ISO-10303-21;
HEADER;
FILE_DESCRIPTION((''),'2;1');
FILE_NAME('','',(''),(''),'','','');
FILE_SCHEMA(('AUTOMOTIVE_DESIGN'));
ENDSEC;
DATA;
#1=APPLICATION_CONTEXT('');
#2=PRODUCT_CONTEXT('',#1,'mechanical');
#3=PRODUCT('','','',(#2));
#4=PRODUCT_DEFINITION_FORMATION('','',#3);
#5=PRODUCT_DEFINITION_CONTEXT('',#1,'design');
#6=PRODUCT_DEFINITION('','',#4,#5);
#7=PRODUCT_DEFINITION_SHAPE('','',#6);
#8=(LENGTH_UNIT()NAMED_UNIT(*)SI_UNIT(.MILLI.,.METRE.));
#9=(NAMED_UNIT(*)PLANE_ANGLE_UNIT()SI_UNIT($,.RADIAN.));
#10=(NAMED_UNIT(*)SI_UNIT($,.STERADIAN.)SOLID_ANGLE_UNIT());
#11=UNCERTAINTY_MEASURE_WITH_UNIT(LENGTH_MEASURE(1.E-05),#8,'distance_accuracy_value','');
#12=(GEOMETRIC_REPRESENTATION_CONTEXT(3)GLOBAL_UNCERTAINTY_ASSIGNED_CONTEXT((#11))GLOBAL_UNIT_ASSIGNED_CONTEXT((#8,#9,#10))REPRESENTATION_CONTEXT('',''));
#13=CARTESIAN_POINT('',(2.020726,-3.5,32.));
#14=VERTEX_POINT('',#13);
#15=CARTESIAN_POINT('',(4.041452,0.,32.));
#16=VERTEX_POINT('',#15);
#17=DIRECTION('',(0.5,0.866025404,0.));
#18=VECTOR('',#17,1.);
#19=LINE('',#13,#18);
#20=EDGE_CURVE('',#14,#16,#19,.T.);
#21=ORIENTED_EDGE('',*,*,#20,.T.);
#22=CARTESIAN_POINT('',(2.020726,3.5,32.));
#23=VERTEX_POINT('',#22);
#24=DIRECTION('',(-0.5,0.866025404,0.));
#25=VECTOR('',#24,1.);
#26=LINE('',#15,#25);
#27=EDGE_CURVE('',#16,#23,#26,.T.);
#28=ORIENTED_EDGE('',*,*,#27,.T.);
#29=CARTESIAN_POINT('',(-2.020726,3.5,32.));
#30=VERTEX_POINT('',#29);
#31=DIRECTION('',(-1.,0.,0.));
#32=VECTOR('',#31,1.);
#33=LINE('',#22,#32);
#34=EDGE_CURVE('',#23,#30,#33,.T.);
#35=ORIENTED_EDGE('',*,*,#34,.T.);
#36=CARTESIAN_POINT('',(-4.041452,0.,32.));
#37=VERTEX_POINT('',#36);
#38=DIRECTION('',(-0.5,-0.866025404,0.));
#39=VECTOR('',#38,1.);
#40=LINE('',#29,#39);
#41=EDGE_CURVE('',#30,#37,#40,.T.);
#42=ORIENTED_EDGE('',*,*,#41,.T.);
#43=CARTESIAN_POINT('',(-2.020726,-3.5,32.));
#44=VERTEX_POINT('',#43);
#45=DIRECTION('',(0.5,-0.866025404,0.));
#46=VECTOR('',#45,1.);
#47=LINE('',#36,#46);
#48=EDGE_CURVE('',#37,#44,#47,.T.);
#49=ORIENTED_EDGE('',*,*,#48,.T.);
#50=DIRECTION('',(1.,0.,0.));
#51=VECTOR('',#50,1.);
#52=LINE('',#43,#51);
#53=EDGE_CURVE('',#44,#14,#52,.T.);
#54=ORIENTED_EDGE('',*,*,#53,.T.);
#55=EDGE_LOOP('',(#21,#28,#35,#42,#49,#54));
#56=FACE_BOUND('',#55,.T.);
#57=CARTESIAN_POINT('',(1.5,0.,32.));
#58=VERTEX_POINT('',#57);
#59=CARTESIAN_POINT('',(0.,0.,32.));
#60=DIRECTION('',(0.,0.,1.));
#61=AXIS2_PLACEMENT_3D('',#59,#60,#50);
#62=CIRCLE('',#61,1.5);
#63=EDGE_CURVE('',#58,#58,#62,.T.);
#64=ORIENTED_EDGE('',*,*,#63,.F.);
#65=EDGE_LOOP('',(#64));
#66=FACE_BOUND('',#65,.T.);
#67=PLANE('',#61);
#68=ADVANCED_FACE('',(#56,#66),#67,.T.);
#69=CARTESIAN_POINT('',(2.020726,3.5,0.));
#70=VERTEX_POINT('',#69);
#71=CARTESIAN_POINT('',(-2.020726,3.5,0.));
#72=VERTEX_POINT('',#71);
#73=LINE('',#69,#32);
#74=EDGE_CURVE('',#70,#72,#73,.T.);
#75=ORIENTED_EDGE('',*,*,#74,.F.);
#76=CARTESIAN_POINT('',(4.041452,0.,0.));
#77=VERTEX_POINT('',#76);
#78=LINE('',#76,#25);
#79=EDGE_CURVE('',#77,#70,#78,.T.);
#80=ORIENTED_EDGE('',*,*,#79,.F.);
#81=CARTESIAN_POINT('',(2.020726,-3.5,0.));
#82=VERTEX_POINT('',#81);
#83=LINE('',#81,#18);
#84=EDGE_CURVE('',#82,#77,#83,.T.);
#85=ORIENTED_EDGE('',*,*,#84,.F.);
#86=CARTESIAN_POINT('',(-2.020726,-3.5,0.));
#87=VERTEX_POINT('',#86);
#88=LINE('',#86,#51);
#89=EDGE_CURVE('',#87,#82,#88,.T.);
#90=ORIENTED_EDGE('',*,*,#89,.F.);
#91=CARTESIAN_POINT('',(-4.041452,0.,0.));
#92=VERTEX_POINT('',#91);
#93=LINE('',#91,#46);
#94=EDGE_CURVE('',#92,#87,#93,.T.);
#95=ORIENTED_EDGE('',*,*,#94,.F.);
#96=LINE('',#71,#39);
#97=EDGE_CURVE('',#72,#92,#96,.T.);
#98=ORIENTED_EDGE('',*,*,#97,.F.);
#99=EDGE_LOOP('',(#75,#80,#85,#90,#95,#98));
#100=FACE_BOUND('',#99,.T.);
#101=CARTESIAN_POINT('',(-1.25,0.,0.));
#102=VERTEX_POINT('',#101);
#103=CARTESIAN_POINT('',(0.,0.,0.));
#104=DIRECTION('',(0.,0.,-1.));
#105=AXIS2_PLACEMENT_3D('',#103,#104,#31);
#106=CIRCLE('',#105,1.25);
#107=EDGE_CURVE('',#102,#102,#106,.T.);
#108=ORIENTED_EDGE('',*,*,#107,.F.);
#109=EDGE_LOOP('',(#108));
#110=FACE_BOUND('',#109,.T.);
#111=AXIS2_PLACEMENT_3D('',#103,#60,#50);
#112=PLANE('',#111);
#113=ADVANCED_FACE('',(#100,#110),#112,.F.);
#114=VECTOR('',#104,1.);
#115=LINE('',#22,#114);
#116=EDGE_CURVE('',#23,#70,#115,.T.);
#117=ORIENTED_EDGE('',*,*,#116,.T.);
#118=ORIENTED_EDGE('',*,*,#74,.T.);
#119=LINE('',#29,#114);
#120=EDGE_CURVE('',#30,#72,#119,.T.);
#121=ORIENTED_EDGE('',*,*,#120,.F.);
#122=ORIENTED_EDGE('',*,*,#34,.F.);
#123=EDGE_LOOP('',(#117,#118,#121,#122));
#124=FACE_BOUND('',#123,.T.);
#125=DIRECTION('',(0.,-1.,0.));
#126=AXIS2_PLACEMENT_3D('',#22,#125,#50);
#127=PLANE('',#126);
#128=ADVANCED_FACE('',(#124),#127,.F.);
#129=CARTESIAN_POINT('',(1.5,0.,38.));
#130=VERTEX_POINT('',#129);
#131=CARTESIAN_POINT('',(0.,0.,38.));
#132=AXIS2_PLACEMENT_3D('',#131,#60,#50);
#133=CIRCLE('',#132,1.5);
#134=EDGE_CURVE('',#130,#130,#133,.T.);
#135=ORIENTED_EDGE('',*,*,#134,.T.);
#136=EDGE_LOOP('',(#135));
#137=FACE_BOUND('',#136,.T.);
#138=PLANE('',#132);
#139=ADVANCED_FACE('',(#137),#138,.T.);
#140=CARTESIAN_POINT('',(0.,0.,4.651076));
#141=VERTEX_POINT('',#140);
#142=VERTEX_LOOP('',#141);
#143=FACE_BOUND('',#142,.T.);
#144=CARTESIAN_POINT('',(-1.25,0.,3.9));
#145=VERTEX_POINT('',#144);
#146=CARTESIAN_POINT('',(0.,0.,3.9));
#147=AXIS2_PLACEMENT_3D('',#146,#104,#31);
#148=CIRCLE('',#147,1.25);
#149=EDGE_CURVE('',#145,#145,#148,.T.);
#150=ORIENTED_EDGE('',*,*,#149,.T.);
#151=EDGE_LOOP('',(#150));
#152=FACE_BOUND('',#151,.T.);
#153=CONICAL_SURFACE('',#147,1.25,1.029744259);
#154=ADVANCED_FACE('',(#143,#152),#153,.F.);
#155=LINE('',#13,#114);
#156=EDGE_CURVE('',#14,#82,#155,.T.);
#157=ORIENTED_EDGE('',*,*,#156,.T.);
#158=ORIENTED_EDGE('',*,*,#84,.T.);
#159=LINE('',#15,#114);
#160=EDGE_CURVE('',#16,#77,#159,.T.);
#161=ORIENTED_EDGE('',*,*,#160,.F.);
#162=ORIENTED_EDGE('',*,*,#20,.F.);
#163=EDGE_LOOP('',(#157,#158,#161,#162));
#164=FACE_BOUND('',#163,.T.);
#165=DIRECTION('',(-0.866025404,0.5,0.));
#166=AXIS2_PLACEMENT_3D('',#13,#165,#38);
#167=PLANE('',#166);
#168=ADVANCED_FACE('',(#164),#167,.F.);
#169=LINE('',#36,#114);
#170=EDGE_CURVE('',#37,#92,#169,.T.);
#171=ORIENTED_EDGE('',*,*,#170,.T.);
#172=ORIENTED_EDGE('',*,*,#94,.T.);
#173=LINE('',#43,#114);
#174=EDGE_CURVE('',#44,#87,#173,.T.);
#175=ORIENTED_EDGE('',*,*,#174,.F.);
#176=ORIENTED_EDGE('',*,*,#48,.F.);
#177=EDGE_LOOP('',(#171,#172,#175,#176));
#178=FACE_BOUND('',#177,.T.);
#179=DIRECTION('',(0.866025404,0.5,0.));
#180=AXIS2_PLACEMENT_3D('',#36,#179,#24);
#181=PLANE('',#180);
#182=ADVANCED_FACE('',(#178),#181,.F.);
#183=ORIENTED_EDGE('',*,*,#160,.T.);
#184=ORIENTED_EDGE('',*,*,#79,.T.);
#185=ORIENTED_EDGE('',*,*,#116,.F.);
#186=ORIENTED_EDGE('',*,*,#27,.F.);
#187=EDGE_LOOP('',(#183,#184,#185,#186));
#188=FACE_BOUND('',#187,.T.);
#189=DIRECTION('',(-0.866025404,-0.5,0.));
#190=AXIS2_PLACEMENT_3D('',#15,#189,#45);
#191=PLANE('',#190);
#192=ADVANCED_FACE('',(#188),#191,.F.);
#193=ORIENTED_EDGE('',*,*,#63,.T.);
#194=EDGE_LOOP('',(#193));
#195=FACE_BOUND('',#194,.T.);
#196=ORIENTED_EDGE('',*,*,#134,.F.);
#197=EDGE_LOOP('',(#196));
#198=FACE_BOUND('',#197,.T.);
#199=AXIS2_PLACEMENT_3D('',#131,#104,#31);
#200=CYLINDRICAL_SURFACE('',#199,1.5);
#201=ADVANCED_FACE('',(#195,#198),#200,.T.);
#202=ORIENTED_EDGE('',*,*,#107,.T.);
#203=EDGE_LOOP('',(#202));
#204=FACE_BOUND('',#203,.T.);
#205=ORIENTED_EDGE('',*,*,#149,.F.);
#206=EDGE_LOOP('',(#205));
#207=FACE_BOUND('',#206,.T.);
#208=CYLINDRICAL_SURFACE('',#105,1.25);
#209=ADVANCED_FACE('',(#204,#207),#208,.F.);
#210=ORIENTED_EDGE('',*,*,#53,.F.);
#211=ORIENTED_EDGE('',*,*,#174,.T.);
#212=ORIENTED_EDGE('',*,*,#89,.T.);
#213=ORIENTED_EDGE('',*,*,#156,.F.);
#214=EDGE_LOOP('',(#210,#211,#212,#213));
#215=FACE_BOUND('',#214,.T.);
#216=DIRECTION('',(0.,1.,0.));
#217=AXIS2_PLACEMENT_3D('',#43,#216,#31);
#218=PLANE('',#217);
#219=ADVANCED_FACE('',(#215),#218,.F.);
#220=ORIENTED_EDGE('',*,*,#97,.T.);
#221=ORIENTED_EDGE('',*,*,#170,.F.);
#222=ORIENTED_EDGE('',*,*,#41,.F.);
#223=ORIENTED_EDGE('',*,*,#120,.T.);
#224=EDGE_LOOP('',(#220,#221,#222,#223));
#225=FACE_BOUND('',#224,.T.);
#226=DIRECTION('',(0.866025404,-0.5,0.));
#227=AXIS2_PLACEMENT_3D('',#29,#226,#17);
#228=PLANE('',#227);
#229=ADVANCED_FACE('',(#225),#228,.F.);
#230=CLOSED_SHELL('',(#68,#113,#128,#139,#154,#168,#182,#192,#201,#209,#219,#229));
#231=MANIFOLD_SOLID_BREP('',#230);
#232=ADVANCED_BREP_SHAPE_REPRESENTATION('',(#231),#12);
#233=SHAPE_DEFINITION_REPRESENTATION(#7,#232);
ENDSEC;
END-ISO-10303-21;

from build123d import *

# Parameters (mm, degrees)
EXTRUDE_1_DEPTH        = 32
SKETCH_2_R             = 1.5
EXTRUDE_2_DEPTH        = 6
HOLE_WIZARD_M3_1_D     = 2.5
HOLE_WIZARD_M3_1_DEPTH = 3.9
HOLE_WIZARD_M3_1_TIP   = 0.751075774


with BuildPart() as part:
    # 草图1 → 凸台-拉伸1 (new body)
    with BuildSketch(Plane.XY):
        Polygon((4.041451884, 0), (2.020725942, 3.5), (-2.020725942, 3.5), (-4.041451884, 0), (-2.020725942, -3.5), (2.020725942, -3.5), align=None)
    extrude(amount=EXTRUDE_1_DEPTH)

    # 草图2 → 凸台-拉伸2 (add)
    with BuildSketch(Plane.XY.offset(32)):
        Circle(SKETCH_2_R)
    extrude(amount=EXTRUDE_2_DEPTH)

    # M3 螺纹孔1
    with Locations(Plane(origin=(0, 0, 0), x_dir=(-1, 0, 0), z_dir=(0, 0, -1))):
        with Locations((0, 0)):
            Hole(HOLE_WIZARD_M3_1_D / 2, depth=HOLE_WIZARD_M3_1_DEPTH)
            with Locations((0, 0, -(HOLE_WIZARD_M3_1_DEPTH + HOLE_WIZARD_M3_1_TIP / 2))):  # 118° drill point
                Cone(0, HOLE_WIZARD_M3_1_D / 2, HOLE_WIZARD_M3_1_TIP, mode=Mode.SUBTRACT)


solid = part.part
